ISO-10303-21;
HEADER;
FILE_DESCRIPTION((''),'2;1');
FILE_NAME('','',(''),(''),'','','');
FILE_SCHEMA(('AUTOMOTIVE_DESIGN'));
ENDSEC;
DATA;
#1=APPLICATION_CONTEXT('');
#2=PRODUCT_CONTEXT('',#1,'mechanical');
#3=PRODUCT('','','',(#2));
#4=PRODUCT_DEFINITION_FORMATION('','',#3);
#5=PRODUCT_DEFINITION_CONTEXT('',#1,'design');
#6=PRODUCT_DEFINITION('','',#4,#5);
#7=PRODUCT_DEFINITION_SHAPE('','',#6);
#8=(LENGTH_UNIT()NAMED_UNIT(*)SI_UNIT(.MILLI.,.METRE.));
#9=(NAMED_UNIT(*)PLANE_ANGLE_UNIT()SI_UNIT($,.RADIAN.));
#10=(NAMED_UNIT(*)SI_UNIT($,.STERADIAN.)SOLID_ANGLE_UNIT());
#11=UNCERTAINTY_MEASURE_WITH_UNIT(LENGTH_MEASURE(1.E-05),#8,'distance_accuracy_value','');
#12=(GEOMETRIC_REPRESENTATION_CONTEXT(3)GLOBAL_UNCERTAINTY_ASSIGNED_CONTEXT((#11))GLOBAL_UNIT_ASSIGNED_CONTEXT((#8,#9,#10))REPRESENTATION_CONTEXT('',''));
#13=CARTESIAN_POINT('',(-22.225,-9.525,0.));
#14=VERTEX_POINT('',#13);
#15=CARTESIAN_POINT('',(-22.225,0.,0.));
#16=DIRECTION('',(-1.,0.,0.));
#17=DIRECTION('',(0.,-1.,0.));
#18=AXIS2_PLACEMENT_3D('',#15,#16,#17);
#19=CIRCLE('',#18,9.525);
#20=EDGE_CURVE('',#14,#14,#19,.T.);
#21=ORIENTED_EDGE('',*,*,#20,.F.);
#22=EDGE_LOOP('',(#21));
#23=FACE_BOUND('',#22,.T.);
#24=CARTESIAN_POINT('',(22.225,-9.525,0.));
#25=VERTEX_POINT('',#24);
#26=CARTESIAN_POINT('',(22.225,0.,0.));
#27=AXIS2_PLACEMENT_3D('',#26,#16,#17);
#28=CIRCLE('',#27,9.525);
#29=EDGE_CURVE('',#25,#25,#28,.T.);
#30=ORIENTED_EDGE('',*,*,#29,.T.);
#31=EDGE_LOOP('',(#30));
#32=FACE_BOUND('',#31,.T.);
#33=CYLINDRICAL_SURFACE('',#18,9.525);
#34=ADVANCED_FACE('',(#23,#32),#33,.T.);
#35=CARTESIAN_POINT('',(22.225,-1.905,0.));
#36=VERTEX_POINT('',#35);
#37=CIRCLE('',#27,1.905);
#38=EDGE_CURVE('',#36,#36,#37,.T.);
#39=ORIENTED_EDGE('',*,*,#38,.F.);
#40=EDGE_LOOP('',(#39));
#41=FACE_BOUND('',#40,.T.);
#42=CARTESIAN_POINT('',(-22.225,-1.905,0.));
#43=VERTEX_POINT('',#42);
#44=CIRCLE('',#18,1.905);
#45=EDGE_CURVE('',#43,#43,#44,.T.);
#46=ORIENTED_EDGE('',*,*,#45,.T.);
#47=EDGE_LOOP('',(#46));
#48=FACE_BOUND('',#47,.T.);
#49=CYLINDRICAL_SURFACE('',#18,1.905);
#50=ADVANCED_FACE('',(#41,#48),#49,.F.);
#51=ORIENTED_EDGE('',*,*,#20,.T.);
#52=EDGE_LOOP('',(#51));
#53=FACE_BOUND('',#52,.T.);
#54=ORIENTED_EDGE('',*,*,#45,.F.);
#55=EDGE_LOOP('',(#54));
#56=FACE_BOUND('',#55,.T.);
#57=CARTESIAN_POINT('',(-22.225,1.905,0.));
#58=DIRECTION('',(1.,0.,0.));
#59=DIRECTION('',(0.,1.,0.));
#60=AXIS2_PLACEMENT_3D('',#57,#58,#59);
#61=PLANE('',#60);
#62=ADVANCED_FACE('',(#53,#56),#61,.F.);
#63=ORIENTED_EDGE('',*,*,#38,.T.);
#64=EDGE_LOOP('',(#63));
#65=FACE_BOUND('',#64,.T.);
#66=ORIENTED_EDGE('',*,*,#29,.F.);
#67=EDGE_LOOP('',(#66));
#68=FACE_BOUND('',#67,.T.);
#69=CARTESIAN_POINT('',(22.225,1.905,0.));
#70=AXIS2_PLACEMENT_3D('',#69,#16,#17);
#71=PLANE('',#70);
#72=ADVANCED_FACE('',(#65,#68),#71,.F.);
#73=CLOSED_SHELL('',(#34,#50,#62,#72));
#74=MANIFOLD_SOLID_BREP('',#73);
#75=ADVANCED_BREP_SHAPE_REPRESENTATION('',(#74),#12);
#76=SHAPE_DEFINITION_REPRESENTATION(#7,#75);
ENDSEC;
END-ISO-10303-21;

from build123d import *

# Parameters (mm, degrees)
SKETCH1_W = 44.45
SKETCH1_H = 7.62


with BuildPart() as part:
    # Sketch1 → Revolve1 (revolve)
    with BuildSketch(Plane.XY, mode=Mode.PRIVATE) as revolve1_sk:
        with Locations((0, 5.715)):
            Rectangle(SKETCH1_W, SKETCH1_H)
    revolve(revolve1_sk.sketch.rotate(Axis((-22.225, 0, 0), (1, 0, 0)), 180), axis=Axis((-22.225, 0, 0), (1, 0, 0)))


solid = part.part
